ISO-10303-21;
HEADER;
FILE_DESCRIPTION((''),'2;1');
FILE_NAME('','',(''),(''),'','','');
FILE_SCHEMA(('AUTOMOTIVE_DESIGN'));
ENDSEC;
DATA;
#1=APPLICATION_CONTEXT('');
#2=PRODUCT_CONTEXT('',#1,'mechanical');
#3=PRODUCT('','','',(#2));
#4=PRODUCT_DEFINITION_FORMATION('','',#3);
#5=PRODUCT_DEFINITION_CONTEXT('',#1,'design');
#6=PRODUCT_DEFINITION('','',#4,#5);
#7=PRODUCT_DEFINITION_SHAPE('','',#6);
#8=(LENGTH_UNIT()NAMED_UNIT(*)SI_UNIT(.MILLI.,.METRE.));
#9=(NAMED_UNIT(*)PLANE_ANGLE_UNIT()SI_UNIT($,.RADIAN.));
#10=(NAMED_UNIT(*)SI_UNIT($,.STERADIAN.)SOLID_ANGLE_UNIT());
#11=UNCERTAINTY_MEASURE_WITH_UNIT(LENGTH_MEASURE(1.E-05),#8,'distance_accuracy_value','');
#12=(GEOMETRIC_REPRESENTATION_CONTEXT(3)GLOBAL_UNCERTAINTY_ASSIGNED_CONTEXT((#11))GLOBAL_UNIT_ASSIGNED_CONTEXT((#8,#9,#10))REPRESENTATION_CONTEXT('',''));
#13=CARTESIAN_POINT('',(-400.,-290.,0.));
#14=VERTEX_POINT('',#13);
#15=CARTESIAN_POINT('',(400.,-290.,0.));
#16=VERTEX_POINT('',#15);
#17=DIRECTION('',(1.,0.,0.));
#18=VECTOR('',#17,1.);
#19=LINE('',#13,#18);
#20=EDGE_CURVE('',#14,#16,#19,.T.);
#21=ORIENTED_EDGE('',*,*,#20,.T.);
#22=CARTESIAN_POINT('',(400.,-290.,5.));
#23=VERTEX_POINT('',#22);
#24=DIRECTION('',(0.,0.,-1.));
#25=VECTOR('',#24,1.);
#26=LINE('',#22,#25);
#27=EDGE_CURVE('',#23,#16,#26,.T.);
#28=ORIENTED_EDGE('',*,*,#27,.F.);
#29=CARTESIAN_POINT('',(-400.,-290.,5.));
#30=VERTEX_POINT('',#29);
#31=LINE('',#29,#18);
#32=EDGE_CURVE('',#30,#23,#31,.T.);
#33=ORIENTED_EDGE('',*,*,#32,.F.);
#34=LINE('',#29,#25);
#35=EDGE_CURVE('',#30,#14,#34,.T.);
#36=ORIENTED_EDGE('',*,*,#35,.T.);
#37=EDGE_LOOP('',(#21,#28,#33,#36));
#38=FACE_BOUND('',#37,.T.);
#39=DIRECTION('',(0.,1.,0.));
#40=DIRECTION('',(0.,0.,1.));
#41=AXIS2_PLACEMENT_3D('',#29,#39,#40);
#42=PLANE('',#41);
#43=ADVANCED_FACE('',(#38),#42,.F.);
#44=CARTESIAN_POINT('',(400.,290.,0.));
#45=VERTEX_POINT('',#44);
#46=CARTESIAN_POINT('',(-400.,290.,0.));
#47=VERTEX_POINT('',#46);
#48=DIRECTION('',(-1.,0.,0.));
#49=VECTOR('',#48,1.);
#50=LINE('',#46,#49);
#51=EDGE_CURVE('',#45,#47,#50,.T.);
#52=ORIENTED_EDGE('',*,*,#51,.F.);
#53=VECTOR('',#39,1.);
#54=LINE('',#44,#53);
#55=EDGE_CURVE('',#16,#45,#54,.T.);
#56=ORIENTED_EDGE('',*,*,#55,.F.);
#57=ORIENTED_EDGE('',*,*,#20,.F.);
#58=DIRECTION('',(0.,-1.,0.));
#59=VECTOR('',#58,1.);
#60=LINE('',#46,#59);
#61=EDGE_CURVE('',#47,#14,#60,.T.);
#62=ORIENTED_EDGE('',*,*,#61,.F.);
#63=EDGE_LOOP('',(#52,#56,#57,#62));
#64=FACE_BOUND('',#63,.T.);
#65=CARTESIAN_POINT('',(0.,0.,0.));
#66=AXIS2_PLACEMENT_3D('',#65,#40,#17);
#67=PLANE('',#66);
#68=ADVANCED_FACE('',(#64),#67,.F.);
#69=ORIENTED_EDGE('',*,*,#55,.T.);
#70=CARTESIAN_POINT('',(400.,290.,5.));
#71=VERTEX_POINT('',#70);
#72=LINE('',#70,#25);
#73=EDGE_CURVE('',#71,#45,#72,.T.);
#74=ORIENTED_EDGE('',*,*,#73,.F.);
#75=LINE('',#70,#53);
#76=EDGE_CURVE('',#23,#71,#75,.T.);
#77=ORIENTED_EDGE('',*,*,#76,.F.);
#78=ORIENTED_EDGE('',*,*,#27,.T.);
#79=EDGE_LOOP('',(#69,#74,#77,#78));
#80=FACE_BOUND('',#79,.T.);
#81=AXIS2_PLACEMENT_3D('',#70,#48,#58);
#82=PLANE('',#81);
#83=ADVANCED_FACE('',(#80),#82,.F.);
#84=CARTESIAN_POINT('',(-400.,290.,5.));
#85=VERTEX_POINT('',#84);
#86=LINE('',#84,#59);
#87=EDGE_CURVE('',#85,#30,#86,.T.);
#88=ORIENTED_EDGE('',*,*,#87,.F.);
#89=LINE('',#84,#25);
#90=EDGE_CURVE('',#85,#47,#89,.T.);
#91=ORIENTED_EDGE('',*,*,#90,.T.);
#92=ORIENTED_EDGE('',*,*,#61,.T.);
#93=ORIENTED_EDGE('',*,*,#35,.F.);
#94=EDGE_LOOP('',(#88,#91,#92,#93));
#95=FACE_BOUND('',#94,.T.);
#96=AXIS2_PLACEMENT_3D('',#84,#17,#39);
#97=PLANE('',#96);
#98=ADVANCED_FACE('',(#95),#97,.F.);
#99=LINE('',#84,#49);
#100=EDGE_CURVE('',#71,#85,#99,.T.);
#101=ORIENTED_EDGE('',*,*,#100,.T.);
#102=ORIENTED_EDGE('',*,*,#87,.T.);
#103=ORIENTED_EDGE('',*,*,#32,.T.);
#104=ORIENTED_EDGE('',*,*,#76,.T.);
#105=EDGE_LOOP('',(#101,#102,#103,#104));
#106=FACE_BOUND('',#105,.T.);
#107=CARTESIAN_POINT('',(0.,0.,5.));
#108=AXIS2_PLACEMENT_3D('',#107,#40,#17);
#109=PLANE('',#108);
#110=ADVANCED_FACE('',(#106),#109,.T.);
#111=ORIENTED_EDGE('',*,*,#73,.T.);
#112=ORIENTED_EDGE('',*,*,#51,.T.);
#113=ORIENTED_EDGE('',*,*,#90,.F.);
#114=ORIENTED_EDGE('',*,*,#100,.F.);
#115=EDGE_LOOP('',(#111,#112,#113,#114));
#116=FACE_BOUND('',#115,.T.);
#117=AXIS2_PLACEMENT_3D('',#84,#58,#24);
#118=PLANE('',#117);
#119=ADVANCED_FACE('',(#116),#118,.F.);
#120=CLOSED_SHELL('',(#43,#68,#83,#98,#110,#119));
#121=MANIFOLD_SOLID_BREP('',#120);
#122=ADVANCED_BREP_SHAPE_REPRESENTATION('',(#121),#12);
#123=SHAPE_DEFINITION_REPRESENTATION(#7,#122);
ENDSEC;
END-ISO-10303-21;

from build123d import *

# Parameters (mm, degrees)
ESQUISSE1_W        = 800
ESQUISSE1_H        = 580
BOSS_EXTRU_1_DEPTH = 5


with BuildPart() as part:
    # Esquisse1 → Boss.-Extru.1 (new body)
    with BuildSketch(Plane.XY):
        Rectangle(ESQUISSE1_W, ESQUISSE1_H)
    extrude(amount=BOSS_EXTRU_1_DEPTH)


solid = part.part
